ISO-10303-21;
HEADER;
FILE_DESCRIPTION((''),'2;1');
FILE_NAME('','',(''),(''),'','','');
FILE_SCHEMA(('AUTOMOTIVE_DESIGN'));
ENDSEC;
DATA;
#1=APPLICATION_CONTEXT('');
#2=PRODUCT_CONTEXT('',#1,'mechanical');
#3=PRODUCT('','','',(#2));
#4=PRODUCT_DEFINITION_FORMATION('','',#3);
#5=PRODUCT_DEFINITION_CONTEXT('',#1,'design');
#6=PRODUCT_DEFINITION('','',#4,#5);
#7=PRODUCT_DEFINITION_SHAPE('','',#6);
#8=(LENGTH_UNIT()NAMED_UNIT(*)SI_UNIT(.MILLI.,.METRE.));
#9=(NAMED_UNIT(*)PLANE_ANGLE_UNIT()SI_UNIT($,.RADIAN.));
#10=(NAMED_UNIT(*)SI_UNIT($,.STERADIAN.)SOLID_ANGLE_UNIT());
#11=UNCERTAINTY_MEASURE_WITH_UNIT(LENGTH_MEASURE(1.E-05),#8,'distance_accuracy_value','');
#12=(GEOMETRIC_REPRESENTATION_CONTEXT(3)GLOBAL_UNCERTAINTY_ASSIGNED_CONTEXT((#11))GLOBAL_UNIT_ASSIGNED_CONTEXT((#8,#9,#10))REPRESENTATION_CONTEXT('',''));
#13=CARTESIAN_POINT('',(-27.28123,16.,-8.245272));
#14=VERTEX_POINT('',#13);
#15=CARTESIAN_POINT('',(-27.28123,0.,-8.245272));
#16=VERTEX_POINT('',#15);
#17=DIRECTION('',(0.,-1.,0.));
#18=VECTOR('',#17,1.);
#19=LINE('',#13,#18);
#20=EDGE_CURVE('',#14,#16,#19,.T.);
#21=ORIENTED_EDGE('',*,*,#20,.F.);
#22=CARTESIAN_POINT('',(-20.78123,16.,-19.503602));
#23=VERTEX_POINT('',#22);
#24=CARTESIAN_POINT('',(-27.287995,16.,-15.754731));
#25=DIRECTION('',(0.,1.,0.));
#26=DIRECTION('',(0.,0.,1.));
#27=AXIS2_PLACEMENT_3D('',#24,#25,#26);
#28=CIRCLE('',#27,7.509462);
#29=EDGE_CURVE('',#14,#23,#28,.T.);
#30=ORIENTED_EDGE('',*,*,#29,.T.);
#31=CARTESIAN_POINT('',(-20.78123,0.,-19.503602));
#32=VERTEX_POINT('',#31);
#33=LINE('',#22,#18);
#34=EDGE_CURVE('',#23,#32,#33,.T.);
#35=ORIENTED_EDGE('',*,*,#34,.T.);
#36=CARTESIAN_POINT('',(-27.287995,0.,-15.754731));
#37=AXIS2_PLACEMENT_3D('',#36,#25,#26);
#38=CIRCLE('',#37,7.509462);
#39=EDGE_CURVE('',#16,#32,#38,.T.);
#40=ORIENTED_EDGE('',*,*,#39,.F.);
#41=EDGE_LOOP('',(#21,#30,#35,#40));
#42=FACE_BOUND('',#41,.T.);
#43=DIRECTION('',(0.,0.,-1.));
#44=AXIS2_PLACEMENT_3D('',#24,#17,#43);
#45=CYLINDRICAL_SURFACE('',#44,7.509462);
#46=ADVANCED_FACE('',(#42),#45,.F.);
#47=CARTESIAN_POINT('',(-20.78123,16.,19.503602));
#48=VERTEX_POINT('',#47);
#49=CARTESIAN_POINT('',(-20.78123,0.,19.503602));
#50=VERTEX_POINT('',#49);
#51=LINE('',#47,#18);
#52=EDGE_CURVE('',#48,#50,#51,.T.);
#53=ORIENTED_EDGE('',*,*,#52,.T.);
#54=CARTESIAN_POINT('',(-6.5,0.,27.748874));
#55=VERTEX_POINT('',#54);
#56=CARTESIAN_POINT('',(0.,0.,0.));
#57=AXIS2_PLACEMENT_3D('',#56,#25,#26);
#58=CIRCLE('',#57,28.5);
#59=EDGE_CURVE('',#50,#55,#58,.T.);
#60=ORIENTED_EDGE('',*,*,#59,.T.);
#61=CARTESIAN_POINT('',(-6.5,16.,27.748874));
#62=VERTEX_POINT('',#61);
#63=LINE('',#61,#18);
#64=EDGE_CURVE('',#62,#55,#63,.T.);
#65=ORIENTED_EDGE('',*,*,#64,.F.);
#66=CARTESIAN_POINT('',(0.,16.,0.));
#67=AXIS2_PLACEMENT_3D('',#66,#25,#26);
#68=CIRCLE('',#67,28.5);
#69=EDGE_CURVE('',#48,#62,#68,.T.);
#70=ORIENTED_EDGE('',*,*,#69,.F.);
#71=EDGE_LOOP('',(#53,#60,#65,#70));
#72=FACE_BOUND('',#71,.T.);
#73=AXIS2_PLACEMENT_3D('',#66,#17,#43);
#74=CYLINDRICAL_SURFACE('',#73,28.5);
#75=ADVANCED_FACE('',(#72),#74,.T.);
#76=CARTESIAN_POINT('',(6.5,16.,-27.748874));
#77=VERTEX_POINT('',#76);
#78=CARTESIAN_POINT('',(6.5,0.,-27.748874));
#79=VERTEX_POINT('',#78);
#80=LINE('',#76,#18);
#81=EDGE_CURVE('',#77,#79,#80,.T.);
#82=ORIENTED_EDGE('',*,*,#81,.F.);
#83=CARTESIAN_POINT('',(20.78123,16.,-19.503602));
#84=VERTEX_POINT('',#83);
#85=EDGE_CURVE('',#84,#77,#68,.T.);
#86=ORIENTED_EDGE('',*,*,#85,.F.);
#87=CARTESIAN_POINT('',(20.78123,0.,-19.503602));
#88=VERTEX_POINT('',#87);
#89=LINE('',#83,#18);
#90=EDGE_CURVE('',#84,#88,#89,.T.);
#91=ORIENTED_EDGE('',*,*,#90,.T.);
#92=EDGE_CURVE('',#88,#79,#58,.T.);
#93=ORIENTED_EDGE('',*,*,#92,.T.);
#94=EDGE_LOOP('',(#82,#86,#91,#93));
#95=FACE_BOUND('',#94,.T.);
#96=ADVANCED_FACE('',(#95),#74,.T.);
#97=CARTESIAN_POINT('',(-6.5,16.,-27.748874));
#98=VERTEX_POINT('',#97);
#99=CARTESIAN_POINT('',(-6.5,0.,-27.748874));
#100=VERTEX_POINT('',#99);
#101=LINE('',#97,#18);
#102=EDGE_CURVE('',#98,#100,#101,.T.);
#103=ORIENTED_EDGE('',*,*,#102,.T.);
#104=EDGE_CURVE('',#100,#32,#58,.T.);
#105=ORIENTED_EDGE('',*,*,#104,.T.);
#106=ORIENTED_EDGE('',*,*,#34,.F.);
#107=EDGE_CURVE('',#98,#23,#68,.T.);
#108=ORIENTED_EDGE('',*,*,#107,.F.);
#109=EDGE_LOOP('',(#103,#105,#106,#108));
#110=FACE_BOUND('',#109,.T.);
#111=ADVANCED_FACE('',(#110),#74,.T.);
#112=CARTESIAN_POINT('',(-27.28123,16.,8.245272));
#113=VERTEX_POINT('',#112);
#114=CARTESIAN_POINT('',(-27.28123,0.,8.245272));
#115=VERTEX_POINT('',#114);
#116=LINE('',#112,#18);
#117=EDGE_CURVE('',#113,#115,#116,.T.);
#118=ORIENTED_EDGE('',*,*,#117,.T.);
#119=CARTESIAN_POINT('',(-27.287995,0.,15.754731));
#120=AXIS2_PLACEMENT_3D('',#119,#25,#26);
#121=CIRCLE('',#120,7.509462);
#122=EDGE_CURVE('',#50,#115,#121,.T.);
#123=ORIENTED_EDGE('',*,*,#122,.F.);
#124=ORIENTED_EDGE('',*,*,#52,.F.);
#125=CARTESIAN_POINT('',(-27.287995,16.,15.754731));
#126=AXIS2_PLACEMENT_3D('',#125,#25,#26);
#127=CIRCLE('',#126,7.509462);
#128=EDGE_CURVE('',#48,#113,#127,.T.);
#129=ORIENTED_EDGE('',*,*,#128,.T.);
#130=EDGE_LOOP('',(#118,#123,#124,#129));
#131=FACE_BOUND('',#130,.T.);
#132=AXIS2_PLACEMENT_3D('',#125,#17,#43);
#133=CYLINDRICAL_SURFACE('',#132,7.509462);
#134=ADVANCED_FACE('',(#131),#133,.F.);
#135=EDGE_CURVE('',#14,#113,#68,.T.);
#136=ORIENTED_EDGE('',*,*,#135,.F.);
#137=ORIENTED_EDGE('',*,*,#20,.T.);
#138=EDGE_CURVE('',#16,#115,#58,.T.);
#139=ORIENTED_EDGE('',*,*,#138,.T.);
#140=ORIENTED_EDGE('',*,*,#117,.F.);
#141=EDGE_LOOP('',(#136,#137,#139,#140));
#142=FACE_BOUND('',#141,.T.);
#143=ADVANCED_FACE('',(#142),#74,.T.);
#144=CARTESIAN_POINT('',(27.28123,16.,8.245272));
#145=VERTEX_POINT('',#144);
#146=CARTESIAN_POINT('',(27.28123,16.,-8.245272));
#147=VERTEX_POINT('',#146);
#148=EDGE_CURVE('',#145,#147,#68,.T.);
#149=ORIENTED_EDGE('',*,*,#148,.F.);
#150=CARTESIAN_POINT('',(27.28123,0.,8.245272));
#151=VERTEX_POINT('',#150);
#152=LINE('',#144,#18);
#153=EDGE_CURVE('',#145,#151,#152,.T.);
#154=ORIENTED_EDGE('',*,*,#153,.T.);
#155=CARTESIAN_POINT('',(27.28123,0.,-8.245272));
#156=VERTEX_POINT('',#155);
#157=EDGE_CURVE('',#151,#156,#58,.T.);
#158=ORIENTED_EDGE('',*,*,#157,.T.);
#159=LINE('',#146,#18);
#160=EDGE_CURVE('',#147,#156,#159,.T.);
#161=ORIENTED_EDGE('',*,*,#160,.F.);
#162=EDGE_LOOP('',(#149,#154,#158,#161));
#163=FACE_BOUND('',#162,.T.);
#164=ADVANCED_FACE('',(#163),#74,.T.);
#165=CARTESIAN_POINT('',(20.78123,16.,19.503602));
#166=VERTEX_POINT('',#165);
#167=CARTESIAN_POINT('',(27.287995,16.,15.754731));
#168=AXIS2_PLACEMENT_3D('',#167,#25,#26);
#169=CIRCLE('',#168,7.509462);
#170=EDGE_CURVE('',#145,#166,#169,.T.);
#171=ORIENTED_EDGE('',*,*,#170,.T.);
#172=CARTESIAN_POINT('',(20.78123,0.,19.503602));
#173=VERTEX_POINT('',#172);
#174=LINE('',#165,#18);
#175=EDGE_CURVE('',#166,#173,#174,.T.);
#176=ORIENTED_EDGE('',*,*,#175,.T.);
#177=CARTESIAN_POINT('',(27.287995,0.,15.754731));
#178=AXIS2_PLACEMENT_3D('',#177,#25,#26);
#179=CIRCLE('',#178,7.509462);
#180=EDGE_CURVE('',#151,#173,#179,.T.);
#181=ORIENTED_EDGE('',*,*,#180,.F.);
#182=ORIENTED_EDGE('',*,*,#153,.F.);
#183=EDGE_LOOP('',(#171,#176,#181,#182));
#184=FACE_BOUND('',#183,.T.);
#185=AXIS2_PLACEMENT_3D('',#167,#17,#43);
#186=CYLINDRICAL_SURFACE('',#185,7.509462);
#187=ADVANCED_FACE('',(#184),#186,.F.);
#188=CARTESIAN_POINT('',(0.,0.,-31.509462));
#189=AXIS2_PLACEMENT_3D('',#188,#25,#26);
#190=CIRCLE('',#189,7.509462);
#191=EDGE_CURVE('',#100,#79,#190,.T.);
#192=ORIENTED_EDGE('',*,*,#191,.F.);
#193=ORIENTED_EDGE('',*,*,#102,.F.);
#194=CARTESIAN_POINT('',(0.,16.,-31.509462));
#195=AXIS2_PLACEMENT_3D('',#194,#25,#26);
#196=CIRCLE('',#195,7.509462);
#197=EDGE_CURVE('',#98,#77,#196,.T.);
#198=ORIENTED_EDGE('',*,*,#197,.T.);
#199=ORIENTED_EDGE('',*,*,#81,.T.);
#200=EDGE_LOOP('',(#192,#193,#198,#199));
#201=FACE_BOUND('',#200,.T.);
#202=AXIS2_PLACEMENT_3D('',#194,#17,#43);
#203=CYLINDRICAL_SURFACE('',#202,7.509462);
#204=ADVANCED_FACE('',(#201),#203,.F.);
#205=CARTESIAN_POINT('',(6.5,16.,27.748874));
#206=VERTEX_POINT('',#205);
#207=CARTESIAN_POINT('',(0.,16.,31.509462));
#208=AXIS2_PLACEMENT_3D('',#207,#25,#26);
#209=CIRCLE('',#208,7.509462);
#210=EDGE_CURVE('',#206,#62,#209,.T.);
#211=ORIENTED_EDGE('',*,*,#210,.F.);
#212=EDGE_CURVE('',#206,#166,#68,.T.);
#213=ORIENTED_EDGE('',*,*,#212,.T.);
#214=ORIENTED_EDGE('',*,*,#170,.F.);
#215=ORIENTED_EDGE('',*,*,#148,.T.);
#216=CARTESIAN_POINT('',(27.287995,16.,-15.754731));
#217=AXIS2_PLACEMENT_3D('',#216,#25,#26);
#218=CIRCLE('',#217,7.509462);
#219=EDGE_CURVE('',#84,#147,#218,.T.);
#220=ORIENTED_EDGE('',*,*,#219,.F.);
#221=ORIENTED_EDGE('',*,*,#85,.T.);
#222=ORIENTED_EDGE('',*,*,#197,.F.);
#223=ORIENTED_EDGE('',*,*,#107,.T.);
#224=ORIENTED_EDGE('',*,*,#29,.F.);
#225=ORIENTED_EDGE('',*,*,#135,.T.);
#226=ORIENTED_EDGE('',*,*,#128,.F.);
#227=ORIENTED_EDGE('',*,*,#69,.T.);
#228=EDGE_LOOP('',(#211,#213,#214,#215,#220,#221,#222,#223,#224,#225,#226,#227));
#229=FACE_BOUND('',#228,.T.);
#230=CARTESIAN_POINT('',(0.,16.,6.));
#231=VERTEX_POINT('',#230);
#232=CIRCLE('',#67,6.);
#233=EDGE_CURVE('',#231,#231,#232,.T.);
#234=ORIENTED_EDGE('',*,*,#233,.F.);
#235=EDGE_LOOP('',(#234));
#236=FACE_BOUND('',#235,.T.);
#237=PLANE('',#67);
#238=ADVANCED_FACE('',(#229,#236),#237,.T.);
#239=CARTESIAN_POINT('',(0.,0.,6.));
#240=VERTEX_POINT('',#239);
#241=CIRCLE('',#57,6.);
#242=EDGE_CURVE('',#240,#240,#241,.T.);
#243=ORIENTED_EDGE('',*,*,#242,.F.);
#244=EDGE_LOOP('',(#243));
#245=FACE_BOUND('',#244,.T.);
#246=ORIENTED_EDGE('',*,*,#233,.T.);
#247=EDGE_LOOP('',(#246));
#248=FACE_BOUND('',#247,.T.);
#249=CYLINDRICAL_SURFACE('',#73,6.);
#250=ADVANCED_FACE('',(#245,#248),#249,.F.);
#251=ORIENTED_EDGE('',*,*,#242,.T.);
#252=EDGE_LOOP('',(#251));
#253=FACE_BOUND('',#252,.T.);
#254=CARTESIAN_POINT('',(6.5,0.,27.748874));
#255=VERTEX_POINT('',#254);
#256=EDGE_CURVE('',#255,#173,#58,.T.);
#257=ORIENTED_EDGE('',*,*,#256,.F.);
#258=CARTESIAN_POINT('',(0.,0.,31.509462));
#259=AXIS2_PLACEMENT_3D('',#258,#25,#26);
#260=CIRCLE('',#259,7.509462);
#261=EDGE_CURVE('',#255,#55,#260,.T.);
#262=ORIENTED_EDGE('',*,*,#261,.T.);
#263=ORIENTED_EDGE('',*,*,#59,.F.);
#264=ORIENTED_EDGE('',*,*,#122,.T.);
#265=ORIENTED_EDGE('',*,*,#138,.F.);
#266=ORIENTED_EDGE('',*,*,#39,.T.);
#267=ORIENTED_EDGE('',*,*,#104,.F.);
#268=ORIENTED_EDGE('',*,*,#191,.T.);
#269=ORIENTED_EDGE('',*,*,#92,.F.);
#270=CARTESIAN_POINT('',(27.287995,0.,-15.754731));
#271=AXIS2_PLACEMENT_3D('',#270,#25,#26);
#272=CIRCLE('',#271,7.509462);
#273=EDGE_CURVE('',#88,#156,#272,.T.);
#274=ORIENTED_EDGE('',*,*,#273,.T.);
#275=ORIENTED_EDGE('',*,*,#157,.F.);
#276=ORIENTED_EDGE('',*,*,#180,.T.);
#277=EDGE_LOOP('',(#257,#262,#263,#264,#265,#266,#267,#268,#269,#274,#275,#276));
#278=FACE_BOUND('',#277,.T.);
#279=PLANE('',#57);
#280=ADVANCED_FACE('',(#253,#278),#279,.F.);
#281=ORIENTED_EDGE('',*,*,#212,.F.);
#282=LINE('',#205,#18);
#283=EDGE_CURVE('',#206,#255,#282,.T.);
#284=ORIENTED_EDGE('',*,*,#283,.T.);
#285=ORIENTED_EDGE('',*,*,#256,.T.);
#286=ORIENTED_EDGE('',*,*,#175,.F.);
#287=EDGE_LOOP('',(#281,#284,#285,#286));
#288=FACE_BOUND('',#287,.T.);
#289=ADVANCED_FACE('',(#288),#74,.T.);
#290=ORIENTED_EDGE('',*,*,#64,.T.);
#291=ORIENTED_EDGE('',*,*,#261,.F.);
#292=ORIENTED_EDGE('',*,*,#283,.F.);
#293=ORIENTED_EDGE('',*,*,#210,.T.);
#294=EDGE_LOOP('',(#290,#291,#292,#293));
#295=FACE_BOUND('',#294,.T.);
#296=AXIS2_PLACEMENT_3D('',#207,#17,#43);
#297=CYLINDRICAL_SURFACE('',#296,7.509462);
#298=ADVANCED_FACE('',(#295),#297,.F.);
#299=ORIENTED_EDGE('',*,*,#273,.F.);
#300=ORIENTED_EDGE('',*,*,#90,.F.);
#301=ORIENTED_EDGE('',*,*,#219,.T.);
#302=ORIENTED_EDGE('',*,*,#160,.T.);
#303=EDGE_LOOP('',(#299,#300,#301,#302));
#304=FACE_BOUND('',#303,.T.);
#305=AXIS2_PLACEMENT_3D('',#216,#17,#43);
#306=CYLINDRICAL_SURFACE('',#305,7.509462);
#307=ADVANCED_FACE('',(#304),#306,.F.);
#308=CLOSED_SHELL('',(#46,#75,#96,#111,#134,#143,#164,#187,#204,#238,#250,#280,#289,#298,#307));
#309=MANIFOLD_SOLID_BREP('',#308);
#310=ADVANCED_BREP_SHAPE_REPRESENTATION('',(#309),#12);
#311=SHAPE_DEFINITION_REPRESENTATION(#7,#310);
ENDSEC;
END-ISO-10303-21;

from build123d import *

# Parameters (mm, degrees)
CROQUIS1_R              = 6
SALIENTE_EXTRUIR1_DEPTH = 16


with BuildPart() as part:
    # Croquis1 → Saliente-Extruir1 (new body)
    with BuildSketch(Plane(origin=(0, 0, 0), x_dir=(1, 0, 0), z_dir=(0, 1, 0))):
        with BuildLine():
            ThreePointArc((27.281229681, -8.245271801), (28.193661042, -4.167430508), (28.5, 0))
            ThreePointArc((28.5, 0), (28.193661042, 4.167430508), (27.281229681, 8.245271801))
            ThreePointArc((27.281229681, 8.245271801), (20.784609691, 12), (20.781229681, 19.50360205))
            ThreePointArc((20.781229681, 19.50360205), (14.25, 24.681724008), (6.5, 27.748873851))
            ThreePointArc((6.5, 27.748873851), (0, 24), (-6.5, 27.748873851))
            ThreePointArc((-6.5, 27.748873851), (-14.25, 24.681724008), (-20.781229681, 19.50360205))
            ThreePointArc((-20.781229681, 19.50360205), (-20.033536457, 17.695055573), (-19.778532486, 15.754731247))
            ThreePointArc((-19.778532486, 15.754731247), (-21.975611771, 10.447131827), (-27.281229681, 8.245271801))
            ThreePointArc((-27.281229681, 8.245271801), (-28.5, 0), (-27.281229681, -8.245271801))
            ThreePointArc((-27.281229681, -8.245271801), (-21.975611771, -10.447131827), (-19.778532486, -15.754731247))
            ThreePointArc((-19.778532486, -15.754731247), (-20.033536457, -17.695055573), (-20.781229681, -19.50360205))
            ThreePointArc((-20.781229681, -19.50360205), (-14.25, -24.681724008), (-6.5, -27.748873851))
            ThreePointArc((-6.5, -27.748873851), (0, -24), (6.5, -27.748873851))
            ThreePointArc((6.5, -27.748873851), (14.25, -24.681724008), (20.781229681, -19.50360205))
            ThreePointArc((20.781229681, -19.50360205), (20.784609691, -12), (27.281229681, -8.245271801))
        make_face()
        with Locations(Location((0, 0, 0), (0, 0, 270))):
            Circle(CROQUIS1_R, mode=Mode.SUBTRACT)
    extrude(amount=SALIENTE_EXTRUIR1_DEPTH)


solid = part.part
